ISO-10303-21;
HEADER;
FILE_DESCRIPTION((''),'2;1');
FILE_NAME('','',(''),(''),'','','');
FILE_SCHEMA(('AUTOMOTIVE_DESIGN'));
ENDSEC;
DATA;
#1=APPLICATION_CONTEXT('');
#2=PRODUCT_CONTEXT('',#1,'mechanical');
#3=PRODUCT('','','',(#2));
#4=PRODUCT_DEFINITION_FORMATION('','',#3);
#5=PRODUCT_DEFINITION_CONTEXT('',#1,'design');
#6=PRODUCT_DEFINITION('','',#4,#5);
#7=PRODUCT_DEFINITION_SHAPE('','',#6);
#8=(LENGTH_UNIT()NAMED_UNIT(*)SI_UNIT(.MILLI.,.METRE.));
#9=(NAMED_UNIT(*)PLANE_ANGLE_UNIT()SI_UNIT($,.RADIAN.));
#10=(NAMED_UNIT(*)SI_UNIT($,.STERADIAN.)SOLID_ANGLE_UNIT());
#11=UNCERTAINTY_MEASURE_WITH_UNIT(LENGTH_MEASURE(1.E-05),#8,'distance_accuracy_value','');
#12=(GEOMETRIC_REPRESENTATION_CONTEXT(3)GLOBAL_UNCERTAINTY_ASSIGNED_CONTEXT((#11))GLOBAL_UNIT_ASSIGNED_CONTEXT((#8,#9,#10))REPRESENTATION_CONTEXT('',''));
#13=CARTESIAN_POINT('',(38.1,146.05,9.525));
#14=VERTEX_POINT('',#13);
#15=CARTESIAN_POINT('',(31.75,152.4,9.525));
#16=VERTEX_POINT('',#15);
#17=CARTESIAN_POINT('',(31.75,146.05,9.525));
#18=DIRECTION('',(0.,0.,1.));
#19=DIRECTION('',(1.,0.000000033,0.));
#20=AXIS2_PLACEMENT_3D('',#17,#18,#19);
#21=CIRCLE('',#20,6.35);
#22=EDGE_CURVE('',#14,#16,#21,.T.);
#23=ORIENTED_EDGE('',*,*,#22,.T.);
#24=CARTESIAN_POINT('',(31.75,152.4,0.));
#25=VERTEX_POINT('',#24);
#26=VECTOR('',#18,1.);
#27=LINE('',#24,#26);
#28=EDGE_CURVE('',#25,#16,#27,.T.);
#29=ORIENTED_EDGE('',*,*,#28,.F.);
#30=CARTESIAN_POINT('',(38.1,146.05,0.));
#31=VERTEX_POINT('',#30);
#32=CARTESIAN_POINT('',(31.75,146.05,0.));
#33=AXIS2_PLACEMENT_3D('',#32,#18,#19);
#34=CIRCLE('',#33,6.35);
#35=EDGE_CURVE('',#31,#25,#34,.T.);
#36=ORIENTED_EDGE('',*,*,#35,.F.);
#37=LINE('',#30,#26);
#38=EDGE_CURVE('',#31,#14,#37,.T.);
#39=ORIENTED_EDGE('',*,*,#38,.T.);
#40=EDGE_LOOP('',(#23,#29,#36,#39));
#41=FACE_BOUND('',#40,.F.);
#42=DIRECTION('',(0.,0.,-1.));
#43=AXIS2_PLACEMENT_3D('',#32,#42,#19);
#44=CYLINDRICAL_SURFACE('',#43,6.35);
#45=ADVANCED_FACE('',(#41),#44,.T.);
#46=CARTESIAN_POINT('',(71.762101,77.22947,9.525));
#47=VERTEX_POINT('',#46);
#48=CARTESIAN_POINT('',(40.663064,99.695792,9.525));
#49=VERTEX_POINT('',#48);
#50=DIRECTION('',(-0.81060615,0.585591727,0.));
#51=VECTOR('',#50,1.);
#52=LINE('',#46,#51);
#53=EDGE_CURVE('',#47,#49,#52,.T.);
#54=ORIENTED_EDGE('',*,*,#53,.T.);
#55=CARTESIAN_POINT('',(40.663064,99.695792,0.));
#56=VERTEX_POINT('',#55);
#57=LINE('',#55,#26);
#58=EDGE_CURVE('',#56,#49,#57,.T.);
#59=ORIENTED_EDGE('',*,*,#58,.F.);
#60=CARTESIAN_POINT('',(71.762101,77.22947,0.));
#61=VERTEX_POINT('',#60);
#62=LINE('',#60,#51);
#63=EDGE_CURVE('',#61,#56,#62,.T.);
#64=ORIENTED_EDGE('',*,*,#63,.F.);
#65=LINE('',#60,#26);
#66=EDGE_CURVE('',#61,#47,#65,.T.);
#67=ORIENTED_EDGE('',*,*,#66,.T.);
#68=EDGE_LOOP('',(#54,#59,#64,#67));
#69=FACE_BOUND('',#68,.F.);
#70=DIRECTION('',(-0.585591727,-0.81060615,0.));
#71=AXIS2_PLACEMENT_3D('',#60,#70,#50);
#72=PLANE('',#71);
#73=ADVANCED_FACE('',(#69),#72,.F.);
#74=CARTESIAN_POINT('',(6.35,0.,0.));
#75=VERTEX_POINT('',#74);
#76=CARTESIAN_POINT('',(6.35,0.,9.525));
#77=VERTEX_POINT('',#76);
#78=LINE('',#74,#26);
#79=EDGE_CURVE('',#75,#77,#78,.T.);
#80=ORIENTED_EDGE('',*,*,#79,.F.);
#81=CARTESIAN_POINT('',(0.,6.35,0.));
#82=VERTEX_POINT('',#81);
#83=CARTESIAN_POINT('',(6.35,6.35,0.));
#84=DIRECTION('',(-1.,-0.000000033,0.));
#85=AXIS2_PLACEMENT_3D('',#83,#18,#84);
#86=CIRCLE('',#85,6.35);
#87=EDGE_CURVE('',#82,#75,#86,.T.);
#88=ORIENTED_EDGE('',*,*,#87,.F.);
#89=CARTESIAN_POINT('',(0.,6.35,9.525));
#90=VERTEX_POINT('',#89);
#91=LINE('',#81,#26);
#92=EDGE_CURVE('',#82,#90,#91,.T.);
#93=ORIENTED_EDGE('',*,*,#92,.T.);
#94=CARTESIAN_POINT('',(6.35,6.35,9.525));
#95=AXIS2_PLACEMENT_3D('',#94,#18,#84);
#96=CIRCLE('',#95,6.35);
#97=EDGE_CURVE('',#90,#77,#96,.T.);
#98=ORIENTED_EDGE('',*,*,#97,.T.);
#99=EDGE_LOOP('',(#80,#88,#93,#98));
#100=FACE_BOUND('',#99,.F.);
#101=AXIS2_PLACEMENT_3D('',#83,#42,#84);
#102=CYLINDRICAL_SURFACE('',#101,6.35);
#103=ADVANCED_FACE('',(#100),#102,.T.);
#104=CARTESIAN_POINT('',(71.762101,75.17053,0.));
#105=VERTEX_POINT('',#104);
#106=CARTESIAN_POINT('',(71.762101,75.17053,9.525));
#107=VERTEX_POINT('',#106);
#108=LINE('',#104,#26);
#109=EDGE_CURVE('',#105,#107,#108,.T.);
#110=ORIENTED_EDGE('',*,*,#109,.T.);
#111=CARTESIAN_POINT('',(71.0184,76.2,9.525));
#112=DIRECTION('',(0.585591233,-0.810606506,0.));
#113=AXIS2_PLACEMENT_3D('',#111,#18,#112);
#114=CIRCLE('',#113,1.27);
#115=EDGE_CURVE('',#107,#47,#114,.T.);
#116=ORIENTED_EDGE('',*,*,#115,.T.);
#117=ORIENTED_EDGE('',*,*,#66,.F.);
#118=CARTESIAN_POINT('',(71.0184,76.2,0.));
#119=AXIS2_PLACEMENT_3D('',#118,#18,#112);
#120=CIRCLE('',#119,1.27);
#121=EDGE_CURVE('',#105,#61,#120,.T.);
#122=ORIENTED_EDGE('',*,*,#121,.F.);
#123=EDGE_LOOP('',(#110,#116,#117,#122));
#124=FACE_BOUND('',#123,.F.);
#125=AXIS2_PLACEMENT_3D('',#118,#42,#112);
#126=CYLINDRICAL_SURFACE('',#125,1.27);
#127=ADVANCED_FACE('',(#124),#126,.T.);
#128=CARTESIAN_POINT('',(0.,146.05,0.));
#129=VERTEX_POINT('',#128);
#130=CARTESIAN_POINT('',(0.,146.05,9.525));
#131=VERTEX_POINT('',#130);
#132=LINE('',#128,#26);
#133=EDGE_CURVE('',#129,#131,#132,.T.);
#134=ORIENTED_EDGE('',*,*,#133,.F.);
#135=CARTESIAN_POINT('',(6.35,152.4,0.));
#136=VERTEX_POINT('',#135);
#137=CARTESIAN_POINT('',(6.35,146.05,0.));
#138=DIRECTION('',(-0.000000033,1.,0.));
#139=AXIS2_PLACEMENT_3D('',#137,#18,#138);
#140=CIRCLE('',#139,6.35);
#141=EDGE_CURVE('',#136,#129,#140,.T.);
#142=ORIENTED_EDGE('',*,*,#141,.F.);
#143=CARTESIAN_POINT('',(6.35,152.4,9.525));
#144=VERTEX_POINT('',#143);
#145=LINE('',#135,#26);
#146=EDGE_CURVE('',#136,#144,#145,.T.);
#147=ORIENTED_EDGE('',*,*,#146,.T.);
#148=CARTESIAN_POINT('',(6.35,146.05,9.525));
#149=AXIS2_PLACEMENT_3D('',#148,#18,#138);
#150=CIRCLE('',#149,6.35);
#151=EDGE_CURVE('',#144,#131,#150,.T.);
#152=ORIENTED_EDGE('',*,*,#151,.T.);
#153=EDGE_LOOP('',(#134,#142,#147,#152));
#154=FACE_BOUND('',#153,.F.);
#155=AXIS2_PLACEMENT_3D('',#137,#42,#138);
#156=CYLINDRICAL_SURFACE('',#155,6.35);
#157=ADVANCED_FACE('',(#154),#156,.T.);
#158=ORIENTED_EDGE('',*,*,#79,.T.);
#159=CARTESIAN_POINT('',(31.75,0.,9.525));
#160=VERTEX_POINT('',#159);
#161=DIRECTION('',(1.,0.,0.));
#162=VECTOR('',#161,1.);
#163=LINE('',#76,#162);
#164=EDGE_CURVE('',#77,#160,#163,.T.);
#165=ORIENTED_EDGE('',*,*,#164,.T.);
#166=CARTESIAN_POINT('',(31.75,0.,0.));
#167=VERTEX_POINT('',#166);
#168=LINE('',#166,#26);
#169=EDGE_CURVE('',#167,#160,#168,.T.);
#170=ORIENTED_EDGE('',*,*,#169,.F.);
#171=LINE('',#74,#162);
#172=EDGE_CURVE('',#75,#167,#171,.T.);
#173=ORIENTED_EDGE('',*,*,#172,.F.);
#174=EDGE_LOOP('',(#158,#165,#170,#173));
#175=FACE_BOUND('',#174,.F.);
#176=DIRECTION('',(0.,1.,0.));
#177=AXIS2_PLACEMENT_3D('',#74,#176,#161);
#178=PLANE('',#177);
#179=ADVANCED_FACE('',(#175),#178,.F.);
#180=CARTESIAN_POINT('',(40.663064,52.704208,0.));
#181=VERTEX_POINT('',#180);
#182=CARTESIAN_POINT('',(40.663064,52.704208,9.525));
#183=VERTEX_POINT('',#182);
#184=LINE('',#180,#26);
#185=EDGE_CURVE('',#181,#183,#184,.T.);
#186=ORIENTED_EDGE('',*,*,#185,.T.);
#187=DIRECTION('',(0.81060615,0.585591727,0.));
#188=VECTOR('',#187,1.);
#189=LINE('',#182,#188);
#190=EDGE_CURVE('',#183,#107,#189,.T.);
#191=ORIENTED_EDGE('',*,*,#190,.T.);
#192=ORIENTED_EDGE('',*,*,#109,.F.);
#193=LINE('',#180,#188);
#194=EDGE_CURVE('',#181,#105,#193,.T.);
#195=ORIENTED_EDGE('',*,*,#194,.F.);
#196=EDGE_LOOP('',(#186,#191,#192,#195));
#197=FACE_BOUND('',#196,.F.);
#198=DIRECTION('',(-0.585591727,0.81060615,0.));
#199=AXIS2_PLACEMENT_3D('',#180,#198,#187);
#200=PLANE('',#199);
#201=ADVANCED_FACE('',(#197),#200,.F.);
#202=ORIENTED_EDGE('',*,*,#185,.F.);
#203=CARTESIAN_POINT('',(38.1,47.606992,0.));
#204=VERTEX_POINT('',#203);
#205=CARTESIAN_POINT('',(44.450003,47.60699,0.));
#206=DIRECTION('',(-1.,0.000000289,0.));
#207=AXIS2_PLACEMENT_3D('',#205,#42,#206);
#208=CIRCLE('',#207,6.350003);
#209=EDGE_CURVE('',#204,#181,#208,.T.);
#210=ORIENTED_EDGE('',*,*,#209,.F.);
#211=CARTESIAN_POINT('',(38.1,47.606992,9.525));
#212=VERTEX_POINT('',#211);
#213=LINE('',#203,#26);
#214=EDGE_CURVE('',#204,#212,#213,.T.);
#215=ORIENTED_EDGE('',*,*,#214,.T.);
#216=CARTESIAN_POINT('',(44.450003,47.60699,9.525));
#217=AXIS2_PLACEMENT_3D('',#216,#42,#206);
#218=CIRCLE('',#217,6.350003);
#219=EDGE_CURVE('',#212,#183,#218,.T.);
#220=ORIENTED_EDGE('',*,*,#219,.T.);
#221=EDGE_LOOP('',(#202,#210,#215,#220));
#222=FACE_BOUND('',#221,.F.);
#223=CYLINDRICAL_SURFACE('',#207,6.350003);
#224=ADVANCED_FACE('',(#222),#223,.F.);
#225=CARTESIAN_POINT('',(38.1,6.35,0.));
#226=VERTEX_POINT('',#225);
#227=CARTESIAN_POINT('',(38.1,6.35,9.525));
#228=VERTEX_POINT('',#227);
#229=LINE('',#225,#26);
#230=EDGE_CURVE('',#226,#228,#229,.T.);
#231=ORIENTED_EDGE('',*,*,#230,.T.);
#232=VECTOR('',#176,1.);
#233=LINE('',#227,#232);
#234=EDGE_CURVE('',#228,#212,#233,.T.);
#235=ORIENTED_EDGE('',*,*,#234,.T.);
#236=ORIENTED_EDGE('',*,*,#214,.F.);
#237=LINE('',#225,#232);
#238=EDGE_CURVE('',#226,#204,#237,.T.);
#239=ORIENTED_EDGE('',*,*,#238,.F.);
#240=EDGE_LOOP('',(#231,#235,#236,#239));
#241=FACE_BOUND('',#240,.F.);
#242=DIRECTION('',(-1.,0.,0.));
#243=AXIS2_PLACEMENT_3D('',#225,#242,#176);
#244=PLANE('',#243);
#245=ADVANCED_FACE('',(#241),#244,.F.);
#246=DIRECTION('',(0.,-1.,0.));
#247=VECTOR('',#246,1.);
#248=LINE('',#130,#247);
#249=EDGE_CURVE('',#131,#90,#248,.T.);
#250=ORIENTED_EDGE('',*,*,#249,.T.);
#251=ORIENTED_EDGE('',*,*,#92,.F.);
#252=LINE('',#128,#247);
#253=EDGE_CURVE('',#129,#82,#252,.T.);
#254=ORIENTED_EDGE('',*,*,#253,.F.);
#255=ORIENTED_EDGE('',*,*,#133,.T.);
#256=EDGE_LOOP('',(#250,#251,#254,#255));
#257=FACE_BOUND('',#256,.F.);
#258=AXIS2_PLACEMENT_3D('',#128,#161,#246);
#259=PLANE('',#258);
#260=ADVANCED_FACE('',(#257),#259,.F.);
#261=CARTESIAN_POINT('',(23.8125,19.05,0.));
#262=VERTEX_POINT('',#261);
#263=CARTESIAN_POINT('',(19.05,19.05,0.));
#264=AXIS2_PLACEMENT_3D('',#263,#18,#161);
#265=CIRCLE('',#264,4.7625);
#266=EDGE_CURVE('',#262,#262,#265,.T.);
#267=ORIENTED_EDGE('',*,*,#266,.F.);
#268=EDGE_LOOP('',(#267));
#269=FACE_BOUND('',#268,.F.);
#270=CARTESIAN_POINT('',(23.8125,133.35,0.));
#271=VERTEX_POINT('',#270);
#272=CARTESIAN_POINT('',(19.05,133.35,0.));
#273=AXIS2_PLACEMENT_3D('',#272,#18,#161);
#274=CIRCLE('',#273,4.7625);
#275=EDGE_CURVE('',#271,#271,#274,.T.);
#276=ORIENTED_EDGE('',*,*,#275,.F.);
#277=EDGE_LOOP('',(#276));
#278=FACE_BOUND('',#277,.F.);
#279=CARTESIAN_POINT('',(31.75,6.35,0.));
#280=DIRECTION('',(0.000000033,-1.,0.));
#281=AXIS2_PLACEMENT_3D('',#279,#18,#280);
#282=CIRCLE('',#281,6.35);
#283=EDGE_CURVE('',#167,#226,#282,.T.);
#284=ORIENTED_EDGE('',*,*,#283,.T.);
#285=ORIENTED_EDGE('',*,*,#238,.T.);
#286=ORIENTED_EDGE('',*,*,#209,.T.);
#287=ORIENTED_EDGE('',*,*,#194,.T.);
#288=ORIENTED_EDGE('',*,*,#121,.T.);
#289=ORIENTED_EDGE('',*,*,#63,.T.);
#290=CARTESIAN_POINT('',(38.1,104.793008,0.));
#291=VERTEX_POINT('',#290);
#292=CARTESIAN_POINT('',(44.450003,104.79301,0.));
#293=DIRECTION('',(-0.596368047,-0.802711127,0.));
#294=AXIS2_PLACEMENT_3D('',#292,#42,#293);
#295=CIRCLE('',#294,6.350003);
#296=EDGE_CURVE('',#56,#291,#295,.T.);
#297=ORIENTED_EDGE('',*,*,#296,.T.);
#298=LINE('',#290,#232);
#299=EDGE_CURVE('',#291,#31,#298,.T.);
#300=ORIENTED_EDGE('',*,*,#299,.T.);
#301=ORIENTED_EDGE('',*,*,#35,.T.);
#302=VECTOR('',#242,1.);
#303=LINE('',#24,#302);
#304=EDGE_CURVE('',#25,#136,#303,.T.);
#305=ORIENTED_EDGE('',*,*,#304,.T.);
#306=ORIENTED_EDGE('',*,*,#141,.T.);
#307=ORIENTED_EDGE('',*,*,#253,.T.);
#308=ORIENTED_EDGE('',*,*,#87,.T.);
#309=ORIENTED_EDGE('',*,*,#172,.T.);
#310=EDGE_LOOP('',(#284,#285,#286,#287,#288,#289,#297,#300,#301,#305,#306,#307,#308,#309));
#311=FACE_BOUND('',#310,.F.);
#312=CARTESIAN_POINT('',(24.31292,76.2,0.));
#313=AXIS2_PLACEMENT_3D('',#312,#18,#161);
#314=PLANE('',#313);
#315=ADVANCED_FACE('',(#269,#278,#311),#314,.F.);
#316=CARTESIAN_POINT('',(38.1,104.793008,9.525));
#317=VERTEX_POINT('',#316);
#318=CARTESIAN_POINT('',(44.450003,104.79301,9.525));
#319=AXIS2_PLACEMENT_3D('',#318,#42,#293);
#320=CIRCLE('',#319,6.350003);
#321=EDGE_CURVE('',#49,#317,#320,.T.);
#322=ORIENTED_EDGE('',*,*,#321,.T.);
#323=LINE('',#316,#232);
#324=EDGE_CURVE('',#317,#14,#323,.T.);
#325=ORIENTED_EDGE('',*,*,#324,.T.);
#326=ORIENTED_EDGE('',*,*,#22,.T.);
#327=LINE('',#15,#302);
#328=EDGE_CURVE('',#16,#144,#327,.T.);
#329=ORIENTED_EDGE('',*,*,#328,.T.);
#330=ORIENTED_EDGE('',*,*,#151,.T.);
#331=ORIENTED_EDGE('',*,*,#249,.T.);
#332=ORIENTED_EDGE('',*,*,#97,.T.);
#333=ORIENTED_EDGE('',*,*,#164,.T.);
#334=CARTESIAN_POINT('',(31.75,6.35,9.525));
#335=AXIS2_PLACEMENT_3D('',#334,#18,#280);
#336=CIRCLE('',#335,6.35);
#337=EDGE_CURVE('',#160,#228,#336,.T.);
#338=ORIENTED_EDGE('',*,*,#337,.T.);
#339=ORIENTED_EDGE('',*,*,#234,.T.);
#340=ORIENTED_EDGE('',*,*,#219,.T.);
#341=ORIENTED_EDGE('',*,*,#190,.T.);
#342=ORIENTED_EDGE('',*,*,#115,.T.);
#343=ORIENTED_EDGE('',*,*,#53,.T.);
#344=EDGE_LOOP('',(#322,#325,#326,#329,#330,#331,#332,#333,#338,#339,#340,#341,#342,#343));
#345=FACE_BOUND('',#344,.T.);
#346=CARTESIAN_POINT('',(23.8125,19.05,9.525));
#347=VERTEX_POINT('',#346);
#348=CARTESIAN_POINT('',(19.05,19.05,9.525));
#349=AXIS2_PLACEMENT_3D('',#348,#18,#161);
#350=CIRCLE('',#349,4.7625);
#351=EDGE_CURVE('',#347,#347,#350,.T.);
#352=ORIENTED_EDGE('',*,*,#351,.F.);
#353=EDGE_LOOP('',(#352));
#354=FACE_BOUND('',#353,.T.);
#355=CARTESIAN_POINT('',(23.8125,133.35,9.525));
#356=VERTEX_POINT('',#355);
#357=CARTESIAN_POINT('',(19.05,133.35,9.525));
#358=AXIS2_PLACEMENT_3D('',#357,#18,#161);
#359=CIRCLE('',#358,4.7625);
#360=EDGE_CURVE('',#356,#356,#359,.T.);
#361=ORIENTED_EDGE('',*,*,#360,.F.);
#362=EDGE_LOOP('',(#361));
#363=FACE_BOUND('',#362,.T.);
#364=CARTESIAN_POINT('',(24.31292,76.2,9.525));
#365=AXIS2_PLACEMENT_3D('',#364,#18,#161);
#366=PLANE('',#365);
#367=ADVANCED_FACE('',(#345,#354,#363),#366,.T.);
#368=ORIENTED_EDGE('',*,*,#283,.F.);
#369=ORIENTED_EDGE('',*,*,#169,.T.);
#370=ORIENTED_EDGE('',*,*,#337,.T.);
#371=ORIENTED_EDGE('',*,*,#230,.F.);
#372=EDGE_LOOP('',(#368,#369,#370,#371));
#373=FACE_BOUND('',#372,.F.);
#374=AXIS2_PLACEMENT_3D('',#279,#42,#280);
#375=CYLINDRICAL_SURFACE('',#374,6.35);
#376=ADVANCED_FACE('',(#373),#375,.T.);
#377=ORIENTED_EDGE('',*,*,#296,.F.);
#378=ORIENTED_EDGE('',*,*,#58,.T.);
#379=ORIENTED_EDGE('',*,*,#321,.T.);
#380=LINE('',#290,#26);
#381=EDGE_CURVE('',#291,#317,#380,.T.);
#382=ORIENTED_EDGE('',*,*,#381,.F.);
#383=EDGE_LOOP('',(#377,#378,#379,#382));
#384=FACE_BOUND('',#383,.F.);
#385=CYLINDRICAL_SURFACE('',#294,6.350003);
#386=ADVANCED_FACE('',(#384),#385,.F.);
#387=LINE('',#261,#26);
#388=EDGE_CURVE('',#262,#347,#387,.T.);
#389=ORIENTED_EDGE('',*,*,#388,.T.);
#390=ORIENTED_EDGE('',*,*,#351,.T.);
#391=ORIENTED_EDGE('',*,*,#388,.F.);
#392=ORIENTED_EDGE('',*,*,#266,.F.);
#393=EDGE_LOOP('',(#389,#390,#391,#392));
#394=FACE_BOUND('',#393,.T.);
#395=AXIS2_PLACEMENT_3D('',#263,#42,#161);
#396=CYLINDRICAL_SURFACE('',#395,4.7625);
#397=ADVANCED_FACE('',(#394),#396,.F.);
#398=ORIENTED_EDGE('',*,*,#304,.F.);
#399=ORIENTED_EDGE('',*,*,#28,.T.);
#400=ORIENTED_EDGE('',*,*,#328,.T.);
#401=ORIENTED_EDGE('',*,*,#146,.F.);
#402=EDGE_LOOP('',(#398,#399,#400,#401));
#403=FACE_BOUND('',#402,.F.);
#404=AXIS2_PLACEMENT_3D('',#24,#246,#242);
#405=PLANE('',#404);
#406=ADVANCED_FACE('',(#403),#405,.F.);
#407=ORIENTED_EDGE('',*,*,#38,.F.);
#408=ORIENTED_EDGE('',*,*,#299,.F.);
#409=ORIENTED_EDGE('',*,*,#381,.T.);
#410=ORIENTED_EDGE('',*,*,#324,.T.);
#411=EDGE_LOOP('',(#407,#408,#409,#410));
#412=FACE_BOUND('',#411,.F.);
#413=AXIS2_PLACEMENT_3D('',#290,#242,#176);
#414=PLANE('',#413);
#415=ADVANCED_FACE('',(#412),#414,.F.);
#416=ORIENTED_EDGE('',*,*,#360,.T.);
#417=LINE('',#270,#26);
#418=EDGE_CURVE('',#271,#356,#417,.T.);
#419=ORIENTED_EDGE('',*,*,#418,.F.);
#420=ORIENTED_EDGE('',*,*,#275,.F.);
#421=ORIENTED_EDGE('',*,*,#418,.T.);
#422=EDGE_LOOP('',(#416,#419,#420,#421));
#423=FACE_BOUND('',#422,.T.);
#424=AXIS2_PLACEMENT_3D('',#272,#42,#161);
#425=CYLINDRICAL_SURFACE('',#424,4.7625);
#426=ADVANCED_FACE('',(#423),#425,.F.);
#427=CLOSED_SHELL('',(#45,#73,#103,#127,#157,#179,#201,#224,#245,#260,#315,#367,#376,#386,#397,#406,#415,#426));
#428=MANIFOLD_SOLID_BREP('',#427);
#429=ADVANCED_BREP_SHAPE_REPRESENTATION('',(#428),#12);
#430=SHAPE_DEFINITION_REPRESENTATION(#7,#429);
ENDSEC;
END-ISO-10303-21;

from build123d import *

# Parameters (mm, degrees)
F0_R     = 4.7625
F1_DEPTH = 9.525


with BuildPart() as f1:
    # F0 (on Top) → F1 (new body)
    with BuildSketch(Plane.XY):
        with BuildLine():
            ThreePointArc((0, 6.35), (1.859872, 1.859872), (6.35, 0))
            Line((6.35, 0), (31.75, 0))
            ThreePointArc((31.75, 0), (36.240128, 1.859872), (38.1, 6.35))
            Line((38.1, 6.35), (38.1, 47.606992))
            ThreePointArc((38.1, 47.606992), (38.776838, 50.459662), (40.663064, 52.704208))
            Line((40.663064, 52.704208), (71.762101, 75.17053))
            ThreePointArc((71.762101, 75.17053), (72.2884, 76.2), (71.762101, 77.22947))
            Line((71.762101, 77.22947), (40.663064, 99.695792))
            ThreePointArc((40.663064, 99.695792), (38.776838, 101.940338), (38.1, 104.793008))
            Line((38.1, 104.793008), (38.1, 146.05))
            ThreePointArc((38.1, 146.05), (36.240128, 150.540128), (31.75, 152.4))
            Line((31.75, 152.4), (6.35, 152.4))
            ThreePointArc((6.35, 152.4), (1.859872, 150.540128), (0, 146.05))
            Line((0, 146.05), (0, 6.35))
        make_face()
        with Locations((19.05, 19.05)):
            Circle(F0_R, mode=Mode.SUBTRACT)
        with Locations((19.05, 133.35)):
            Circle(F0_R, mode=Mode.SUBTRACT)
    extrude(amount=F1_DEPTH)


solid = f1.part
